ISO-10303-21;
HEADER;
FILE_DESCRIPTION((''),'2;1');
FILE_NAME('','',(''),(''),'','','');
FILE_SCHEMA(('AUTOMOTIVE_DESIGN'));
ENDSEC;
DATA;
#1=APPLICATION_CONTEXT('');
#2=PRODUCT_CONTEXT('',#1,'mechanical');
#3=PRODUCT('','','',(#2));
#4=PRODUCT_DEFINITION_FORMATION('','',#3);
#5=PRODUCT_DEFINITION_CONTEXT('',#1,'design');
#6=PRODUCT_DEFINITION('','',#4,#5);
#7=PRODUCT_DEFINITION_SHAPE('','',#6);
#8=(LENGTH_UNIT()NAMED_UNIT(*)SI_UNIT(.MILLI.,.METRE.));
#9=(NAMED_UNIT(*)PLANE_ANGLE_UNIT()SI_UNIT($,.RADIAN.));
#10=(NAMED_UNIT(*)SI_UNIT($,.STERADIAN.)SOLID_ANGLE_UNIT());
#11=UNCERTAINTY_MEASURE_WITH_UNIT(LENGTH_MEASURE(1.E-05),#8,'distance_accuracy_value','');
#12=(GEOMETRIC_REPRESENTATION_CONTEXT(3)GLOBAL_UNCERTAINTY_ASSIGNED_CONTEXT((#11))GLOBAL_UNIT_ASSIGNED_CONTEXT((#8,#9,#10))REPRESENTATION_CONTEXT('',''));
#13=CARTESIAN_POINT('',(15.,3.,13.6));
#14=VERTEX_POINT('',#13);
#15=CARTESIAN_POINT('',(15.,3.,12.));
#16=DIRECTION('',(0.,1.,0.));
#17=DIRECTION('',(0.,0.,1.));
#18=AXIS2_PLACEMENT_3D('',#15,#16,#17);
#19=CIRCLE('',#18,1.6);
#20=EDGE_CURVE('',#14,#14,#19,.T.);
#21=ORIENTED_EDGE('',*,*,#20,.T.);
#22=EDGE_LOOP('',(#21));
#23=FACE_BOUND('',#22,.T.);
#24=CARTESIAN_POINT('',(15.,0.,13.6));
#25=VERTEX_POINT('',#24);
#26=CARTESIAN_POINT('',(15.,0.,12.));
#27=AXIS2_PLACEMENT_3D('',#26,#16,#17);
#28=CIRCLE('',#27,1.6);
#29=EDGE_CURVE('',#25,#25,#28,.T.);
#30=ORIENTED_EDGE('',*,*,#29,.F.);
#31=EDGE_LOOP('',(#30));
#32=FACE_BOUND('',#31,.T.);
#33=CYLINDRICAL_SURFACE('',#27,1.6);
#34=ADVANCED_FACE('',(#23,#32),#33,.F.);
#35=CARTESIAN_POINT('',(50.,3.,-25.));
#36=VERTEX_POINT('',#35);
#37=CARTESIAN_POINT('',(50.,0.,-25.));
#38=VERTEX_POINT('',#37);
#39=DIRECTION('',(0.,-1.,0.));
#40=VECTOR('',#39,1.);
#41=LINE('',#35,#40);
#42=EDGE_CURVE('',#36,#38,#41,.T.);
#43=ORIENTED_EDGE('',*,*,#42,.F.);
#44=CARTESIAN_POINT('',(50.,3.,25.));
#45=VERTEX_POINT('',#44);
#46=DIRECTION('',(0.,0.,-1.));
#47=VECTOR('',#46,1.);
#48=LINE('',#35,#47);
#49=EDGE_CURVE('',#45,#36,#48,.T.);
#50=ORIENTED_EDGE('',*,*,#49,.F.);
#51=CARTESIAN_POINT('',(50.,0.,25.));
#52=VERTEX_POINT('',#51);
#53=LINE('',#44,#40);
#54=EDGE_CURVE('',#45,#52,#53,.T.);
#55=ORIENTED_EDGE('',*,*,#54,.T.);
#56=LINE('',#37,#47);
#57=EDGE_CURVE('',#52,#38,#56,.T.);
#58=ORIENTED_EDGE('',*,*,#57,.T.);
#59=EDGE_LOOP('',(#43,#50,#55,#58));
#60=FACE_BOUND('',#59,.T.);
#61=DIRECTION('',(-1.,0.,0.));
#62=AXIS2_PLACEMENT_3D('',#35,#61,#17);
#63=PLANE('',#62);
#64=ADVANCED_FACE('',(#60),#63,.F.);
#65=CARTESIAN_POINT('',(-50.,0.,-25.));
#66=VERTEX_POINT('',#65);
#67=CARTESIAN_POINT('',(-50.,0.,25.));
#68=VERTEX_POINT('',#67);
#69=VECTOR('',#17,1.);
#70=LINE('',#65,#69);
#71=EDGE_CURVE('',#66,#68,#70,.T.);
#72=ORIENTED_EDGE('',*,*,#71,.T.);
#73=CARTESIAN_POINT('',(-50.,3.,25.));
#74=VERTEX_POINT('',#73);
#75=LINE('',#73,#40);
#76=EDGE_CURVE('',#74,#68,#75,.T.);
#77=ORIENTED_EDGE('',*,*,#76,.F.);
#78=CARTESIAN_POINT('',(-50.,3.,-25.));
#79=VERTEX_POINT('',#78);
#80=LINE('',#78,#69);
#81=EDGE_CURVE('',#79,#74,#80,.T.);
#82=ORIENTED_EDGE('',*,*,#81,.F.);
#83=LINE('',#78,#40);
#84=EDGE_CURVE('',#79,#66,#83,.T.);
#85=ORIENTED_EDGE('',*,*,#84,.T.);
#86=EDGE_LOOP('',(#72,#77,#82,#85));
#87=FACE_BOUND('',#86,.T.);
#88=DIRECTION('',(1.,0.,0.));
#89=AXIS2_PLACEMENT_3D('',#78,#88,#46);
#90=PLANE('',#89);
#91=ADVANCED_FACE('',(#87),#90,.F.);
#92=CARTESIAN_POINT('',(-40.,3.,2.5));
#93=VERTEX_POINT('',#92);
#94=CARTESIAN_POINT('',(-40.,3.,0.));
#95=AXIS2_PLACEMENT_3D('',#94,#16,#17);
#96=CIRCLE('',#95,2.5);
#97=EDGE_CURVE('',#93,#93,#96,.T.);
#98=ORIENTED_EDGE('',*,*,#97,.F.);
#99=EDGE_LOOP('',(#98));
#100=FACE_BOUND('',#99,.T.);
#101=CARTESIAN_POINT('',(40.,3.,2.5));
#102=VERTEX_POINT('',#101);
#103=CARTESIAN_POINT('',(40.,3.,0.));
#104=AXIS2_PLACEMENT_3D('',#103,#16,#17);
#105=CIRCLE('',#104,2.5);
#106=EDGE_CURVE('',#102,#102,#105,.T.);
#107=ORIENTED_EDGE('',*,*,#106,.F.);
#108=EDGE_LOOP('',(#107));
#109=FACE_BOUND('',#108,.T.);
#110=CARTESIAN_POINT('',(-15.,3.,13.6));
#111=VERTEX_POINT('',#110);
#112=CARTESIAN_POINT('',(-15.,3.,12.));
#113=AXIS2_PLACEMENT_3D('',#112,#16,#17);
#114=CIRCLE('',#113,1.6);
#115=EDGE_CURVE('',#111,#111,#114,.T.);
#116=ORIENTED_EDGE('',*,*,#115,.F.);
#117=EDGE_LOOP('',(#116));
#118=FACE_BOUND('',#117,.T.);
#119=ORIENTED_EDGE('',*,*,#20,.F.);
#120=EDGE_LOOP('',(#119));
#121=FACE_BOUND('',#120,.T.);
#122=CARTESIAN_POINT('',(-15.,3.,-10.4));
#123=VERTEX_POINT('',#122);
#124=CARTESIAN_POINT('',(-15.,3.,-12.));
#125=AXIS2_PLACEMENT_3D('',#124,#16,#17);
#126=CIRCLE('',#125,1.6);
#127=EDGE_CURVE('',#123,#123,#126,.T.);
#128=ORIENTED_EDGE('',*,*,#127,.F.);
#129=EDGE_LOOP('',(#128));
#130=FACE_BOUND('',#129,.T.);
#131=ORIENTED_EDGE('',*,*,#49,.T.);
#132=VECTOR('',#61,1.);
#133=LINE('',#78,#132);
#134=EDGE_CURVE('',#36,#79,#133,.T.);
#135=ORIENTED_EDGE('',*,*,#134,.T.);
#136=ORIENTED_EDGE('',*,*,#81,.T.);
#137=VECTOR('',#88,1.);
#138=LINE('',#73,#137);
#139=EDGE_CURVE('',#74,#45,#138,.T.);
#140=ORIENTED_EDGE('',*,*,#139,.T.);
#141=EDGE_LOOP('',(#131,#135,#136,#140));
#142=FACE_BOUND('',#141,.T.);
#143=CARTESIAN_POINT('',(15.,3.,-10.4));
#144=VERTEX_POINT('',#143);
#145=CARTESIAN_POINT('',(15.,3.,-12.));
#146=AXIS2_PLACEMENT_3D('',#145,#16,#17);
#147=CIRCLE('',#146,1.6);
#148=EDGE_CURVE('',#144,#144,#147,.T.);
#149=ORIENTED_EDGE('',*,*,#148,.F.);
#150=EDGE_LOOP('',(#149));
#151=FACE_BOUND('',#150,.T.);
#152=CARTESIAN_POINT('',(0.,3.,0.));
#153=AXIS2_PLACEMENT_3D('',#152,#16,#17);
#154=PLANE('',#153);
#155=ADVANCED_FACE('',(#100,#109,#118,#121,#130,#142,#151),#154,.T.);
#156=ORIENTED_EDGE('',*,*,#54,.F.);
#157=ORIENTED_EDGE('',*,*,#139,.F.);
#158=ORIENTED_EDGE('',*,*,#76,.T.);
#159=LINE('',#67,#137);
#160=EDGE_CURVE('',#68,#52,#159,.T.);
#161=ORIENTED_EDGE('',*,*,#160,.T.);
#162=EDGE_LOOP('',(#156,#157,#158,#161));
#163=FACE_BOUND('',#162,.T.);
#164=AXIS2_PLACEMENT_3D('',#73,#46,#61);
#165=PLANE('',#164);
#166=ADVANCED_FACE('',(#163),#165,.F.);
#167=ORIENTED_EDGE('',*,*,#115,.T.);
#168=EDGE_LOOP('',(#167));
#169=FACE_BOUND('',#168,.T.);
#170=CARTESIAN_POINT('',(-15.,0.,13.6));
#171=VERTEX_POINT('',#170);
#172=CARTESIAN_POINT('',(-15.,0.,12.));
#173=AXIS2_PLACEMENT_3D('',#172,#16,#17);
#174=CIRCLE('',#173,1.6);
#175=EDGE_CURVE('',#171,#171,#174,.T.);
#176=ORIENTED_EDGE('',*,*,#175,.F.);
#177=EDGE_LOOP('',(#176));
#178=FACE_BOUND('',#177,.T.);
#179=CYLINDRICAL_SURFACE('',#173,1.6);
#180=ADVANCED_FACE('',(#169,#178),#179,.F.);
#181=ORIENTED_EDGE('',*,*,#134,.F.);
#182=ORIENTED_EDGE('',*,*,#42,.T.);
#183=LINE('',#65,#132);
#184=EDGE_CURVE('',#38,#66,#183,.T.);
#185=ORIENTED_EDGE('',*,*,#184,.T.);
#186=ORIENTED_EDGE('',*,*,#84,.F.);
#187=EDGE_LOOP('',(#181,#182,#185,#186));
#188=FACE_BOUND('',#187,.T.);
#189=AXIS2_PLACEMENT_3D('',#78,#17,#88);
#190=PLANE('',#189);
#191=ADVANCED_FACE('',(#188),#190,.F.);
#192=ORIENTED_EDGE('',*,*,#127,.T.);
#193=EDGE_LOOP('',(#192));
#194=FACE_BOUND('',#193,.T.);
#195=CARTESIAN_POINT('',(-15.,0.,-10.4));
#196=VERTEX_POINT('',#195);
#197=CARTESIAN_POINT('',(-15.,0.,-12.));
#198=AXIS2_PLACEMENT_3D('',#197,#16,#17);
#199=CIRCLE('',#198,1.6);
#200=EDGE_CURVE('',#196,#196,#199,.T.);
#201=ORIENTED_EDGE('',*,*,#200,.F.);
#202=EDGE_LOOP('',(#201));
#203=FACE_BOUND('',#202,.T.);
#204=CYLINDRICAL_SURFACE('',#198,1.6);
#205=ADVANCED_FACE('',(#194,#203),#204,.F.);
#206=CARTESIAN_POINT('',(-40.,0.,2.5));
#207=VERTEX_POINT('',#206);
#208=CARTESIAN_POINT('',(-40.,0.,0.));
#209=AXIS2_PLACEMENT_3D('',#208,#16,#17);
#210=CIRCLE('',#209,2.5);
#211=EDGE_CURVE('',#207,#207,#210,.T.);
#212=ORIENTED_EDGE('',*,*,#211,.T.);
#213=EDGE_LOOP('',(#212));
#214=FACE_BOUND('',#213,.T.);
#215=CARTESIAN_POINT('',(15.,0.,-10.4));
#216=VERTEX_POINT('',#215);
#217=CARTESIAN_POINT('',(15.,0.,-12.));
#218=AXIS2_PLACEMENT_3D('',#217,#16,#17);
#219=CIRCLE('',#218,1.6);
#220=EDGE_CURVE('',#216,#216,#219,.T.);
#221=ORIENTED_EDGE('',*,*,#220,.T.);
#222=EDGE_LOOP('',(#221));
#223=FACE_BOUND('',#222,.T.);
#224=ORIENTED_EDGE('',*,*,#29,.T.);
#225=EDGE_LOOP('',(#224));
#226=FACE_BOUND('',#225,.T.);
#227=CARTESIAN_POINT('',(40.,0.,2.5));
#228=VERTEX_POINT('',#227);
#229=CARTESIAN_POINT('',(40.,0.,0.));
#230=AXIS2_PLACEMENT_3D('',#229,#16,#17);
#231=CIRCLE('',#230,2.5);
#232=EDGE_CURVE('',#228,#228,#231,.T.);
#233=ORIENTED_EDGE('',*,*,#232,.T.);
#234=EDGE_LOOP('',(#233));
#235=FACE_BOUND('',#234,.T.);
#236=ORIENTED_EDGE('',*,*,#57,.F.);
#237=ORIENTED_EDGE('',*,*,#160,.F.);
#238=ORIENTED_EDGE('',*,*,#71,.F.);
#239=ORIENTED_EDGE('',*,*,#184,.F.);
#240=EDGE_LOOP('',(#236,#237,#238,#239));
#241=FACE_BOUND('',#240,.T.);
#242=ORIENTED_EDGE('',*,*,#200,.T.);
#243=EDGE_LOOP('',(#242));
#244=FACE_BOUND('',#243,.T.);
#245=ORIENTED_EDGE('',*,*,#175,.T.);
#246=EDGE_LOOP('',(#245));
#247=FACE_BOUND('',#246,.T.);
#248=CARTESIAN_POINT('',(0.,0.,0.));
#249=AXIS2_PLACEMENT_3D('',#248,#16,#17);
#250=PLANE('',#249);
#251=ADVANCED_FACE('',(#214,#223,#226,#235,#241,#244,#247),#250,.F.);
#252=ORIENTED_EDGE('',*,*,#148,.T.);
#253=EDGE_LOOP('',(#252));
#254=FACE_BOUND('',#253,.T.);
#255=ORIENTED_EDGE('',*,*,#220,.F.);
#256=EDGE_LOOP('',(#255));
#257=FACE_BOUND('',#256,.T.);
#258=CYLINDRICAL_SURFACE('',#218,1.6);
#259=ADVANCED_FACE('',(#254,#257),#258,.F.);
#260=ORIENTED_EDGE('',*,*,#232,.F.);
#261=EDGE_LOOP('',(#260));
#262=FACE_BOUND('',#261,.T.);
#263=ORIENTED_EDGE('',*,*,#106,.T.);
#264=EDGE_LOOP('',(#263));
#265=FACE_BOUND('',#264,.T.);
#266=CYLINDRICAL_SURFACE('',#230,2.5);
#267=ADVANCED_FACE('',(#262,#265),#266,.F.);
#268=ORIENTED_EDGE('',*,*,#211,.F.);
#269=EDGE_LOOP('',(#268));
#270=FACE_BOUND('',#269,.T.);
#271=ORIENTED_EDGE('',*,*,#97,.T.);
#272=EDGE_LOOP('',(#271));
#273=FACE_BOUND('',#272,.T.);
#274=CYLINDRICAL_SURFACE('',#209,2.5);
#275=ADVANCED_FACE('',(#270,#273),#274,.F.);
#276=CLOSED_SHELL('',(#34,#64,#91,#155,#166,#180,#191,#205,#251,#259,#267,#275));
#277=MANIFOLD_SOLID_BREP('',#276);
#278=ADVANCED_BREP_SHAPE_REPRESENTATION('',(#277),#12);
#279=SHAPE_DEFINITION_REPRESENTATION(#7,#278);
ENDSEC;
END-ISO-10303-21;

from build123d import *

# Parameters (mm, degrees)
SKETCH2_W           = 100
SKETCH2_H           = 50
BOSS_EXTRUDE2_DEPTH = 3
SKETCH5_R           = 2.5
SKETCH5_R_2         = 1.6
CUT_EXTRUDE1_DEPTH  = 3


with BuildPart() as part:
    # Sketch2 → Boss-Extrude2 (new body)
    with BuildSketch(Plane(origin=(0, 0, 0), x_dir=(1, 0, 0), z_dir=(0, 1, 0))):
        Rectangle(SKETCH2_W, SKETCH2_H)
    extrude(amount=BOSS_EXTRUDE2_DEPTH)

    # Sketch5 → Cut-Extrude1 (cut)
    with BuildSketch(Plane(origin=(0, 3, 0), x_dir=(1, 0, 0), z_dir=(0, 1, 0))):
        with Locations((-40, 0)):
            Circle(SKETCH5_R)
        with Locations((40, 0)):
            Circle(SKETCH5_R)
        with Locations((-15, 12)):
            Circle(SKETCH5_R_2)
        with Locations((-15, -12)):
            Circle(SKETCH5_R_2)
        with Locations((15, 12)):
            Circle(SKETCH5_R_2)
        with Locations((15, -12)):
            Circle(SKETCH5_R_2)
    extrude(amount=-CUT_EXTRUDE1_DEPTH, mode=Mode.SUBTRACT)


solid = part.part
